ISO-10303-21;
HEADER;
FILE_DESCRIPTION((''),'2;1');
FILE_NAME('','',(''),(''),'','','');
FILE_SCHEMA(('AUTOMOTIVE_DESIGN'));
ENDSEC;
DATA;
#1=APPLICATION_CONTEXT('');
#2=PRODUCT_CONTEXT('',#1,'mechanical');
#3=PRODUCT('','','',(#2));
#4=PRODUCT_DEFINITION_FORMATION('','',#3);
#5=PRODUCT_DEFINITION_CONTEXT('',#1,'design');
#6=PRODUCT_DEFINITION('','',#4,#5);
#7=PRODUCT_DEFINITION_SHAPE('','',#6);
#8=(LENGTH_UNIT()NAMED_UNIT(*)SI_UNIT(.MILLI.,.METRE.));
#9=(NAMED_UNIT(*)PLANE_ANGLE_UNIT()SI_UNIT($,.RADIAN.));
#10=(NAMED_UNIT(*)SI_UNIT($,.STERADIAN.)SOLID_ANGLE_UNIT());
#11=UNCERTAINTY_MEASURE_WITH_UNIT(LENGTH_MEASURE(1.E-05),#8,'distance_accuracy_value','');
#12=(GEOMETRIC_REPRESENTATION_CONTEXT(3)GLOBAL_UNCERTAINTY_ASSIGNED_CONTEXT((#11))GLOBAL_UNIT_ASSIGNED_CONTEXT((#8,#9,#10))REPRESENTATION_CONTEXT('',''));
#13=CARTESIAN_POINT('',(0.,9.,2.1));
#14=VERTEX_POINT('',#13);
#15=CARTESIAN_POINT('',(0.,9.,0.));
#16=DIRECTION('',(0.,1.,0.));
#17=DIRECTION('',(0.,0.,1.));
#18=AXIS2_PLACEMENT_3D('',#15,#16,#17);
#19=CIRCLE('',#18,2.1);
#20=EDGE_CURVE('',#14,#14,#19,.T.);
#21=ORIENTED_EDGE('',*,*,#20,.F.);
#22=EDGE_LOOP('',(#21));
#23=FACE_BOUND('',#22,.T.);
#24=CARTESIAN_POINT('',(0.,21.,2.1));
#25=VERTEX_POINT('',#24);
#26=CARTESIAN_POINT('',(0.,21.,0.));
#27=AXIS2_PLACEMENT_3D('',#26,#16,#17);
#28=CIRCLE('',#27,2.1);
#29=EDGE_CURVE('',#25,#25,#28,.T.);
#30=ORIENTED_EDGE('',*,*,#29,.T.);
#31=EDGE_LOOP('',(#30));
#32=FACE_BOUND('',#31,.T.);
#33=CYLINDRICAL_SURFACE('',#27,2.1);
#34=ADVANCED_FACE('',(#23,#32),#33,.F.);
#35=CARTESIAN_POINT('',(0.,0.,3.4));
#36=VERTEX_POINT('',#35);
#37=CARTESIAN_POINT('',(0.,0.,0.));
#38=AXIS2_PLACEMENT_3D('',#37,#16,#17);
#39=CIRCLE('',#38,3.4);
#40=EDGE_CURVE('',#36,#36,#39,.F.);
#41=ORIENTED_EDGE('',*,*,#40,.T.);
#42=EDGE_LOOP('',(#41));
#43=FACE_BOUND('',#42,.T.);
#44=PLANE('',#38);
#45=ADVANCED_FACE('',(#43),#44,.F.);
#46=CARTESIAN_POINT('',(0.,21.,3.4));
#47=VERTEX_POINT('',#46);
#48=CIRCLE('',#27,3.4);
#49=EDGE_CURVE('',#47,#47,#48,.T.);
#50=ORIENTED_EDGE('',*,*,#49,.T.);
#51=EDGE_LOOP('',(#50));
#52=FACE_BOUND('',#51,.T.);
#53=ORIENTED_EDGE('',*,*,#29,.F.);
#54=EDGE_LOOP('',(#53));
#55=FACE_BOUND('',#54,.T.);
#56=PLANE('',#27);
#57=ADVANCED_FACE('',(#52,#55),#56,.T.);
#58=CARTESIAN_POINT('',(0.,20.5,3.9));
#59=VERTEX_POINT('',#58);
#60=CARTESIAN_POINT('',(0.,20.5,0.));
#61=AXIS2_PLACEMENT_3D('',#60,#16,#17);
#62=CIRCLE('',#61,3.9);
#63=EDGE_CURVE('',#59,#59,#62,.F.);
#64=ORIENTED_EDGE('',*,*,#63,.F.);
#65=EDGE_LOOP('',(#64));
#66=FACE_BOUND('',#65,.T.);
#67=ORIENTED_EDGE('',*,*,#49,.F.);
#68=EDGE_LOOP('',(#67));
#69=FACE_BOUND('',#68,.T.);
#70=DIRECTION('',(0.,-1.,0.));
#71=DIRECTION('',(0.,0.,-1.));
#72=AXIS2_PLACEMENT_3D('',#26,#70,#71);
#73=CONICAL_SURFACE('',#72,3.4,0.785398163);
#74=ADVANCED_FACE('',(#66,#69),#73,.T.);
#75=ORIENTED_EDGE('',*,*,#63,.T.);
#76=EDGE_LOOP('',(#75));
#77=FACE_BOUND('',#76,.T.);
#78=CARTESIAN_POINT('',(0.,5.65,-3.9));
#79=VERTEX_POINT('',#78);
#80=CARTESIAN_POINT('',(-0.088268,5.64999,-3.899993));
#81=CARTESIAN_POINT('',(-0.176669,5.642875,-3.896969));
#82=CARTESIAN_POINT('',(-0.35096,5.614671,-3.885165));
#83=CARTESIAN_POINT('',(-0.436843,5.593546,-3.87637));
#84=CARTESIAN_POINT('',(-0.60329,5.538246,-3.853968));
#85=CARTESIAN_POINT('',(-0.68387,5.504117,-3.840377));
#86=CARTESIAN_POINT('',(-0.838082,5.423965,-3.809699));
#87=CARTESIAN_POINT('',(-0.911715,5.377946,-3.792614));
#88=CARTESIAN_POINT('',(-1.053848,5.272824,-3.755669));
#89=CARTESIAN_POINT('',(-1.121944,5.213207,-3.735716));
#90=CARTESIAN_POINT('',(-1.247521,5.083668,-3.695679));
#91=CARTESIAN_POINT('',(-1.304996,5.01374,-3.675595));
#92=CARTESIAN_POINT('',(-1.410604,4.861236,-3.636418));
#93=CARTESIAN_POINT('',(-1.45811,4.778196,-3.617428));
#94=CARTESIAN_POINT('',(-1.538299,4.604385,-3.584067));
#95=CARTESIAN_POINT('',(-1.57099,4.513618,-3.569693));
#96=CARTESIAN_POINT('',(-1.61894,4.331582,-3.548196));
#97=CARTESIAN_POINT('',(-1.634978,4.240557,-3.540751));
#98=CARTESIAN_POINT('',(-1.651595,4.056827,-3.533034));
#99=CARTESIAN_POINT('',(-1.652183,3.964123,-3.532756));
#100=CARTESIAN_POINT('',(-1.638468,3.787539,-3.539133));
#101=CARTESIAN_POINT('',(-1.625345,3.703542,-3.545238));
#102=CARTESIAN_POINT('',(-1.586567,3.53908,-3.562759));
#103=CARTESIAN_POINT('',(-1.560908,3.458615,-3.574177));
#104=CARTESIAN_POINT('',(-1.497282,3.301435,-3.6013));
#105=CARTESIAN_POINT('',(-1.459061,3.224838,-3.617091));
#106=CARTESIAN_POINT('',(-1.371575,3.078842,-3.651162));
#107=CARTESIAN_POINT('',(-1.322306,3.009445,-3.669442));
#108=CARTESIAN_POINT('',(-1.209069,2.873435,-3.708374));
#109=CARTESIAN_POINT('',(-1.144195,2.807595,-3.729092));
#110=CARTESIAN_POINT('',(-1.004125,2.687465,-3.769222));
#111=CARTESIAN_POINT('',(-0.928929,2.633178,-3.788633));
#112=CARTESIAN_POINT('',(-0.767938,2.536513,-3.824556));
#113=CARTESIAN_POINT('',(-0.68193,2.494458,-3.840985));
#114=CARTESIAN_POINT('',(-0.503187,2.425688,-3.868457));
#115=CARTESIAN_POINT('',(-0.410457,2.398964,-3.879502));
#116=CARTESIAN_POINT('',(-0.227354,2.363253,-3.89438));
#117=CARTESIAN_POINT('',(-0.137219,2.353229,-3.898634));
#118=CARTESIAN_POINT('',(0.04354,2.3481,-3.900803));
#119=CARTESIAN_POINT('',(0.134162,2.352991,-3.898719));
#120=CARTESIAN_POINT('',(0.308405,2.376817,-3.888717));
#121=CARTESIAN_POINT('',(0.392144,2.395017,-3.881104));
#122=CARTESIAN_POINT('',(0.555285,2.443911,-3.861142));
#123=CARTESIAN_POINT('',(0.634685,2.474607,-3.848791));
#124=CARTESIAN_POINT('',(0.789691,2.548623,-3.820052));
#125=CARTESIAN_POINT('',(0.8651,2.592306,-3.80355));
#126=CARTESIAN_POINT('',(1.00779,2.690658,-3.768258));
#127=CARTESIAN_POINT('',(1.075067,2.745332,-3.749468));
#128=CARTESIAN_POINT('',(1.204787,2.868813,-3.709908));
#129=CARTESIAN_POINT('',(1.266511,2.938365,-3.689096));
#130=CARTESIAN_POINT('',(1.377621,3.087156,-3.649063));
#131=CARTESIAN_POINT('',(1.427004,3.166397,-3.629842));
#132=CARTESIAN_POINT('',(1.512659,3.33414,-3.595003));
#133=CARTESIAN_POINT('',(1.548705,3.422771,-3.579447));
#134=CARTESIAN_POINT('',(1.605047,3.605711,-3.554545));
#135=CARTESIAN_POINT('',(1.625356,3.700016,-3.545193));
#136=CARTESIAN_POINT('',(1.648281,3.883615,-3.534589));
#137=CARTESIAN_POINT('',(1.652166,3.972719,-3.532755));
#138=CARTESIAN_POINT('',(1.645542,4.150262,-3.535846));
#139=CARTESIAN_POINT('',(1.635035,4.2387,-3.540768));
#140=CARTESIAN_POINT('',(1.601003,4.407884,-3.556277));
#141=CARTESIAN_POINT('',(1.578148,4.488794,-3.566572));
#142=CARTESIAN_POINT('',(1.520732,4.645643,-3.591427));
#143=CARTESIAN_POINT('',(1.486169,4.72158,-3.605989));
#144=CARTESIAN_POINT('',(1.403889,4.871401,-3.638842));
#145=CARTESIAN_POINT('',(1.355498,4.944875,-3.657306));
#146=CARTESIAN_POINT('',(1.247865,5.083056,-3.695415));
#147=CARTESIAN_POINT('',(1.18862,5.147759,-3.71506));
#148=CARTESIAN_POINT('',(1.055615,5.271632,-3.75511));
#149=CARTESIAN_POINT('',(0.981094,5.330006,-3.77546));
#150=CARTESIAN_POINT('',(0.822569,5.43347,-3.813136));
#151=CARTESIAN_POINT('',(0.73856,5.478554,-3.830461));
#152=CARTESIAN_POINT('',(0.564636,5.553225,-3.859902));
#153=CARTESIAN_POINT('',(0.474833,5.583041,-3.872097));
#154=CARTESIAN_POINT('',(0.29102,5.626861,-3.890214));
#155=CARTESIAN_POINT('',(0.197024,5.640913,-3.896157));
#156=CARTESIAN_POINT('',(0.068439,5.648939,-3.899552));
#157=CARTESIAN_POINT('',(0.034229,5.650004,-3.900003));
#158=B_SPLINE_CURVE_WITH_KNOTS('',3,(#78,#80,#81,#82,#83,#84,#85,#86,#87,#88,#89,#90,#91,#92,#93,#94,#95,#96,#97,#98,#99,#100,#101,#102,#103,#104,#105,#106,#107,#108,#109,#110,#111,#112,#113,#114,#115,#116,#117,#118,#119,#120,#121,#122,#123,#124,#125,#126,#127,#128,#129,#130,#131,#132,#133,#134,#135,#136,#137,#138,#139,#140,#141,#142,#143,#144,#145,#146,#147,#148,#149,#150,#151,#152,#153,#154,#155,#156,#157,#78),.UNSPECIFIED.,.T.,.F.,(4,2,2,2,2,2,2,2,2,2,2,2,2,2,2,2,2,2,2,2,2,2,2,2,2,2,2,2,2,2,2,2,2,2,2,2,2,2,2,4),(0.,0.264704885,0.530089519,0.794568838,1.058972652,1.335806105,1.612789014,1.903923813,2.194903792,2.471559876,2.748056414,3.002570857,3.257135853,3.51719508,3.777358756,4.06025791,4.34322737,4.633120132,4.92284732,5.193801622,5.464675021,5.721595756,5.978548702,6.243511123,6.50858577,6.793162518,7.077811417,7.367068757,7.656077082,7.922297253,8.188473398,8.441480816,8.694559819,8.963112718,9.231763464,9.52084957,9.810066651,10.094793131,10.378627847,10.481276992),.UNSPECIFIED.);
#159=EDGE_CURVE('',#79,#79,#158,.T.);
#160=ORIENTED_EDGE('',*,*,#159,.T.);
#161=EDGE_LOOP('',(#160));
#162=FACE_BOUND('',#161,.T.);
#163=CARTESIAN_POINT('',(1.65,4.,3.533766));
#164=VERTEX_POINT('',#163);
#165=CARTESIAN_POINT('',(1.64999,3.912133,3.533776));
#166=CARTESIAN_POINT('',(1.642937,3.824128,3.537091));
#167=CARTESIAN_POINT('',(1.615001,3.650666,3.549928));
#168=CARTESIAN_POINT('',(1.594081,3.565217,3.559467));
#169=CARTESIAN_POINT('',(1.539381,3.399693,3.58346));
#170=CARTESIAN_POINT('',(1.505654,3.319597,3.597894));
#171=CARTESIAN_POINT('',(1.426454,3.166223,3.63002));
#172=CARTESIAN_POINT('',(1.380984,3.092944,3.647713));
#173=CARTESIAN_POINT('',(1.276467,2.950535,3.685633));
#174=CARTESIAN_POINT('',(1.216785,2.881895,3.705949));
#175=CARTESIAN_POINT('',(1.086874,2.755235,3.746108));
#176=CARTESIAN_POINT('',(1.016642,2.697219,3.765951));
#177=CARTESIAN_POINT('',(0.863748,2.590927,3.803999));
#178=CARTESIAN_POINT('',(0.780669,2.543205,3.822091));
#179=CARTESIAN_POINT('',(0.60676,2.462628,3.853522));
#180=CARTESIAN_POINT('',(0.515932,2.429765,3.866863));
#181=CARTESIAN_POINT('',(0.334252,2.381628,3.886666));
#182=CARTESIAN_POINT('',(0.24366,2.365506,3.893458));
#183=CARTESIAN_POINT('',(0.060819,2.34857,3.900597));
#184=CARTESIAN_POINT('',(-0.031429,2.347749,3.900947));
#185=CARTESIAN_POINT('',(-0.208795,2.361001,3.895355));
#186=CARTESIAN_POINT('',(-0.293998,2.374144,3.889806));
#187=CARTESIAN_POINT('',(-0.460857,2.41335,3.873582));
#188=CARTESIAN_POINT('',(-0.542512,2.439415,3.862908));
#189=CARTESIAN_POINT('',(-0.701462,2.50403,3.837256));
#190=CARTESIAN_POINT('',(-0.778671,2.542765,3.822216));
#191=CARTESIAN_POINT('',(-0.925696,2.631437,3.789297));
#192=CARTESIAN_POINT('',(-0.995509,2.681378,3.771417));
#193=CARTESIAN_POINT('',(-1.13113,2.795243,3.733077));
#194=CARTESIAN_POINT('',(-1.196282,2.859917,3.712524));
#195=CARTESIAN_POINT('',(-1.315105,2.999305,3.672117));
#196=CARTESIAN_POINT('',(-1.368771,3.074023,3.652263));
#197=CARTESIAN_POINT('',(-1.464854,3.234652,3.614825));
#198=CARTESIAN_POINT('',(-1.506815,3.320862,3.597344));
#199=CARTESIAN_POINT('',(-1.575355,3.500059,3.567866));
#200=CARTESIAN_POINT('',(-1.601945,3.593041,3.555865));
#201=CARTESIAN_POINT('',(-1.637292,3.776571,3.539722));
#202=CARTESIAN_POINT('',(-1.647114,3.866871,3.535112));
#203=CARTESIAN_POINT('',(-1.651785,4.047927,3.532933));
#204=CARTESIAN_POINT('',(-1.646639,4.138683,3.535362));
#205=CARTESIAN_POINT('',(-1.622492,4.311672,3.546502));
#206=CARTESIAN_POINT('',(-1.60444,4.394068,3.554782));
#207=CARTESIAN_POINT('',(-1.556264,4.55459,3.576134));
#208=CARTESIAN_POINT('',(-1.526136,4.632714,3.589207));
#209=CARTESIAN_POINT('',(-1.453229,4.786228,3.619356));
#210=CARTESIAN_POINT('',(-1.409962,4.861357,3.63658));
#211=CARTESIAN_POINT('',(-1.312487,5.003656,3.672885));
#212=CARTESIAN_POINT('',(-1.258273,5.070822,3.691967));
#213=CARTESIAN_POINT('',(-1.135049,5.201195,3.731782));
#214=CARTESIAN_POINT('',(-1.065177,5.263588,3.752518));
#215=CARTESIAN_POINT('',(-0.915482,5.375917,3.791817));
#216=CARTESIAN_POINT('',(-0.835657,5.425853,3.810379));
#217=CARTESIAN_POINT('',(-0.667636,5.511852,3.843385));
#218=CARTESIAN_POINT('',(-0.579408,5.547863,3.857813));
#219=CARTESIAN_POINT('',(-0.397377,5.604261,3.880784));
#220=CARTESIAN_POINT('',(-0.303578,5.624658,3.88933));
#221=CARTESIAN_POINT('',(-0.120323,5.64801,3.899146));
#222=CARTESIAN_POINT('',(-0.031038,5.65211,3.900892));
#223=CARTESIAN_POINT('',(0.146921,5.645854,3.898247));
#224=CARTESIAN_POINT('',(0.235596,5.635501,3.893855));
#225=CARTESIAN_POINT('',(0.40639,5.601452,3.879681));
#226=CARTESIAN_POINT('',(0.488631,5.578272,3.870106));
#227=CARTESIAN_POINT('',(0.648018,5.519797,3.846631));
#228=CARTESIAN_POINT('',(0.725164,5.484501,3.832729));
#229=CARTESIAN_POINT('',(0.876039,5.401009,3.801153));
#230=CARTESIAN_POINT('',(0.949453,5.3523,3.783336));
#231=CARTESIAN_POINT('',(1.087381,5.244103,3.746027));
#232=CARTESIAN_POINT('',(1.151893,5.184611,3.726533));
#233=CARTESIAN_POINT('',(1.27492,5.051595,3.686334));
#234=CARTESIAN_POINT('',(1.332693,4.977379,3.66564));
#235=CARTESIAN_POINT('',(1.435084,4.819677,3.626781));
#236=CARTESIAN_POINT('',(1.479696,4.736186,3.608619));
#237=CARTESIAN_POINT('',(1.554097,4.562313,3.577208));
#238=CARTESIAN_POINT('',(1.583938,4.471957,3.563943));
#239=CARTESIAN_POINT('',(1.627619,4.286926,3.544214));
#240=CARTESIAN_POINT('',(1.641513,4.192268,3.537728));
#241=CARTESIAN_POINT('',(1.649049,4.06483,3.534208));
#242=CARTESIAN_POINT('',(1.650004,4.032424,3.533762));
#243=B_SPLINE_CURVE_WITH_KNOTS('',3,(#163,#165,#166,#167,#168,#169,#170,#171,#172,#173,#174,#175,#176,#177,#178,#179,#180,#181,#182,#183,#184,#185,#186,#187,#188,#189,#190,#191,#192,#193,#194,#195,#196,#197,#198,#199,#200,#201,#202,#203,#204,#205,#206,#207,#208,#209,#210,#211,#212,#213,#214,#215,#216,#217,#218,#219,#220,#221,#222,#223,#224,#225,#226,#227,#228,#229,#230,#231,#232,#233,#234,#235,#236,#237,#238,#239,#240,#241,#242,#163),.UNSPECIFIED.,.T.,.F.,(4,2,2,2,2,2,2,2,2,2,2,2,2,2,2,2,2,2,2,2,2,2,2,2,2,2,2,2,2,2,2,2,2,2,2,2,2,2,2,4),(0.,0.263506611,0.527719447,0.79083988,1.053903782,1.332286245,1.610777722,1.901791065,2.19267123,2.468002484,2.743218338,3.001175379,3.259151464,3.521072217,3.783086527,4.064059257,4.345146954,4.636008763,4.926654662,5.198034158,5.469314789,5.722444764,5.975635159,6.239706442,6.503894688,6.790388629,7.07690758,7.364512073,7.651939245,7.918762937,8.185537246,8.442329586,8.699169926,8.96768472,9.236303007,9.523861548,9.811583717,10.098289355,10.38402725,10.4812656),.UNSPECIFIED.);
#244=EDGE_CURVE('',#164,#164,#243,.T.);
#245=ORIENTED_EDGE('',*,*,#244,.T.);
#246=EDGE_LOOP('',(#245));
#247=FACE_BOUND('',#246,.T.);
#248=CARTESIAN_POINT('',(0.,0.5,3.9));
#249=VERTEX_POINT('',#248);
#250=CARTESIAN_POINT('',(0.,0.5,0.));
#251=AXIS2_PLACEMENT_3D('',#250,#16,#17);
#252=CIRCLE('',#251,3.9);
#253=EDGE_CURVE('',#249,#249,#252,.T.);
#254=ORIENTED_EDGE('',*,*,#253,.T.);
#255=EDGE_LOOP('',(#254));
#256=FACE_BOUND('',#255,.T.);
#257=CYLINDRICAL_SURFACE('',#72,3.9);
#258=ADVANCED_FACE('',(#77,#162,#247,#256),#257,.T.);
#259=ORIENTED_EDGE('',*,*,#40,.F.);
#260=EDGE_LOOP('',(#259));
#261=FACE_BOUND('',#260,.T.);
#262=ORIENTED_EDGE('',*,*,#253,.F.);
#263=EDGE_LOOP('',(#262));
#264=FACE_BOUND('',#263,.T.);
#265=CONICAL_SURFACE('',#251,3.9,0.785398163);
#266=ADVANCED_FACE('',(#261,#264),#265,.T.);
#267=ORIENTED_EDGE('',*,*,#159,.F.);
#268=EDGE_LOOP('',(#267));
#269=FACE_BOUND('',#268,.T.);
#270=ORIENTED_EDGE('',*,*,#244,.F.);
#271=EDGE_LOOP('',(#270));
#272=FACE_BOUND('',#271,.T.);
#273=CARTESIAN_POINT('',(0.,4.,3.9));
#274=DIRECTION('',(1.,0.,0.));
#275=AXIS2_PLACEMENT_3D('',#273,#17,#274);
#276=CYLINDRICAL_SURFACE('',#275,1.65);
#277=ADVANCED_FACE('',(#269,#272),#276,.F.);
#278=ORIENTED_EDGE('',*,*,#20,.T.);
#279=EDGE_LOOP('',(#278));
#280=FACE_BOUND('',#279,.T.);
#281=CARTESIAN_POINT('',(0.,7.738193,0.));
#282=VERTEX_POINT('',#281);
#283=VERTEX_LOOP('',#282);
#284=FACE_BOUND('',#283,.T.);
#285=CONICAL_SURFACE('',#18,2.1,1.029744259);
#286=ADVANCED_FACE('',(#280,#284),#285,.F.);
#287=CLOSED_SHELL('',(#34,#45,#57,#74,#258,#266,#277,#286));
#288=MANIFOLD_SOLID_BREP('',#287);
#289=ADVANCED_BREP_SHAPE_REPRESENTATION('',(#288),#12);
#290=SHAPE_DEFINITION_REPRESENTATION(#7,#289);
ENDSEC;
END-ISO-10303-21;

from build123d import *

# Parameters (mm, degrees)
SKETCH_1_R             = 3.9
EXTRUDE_1_DEPTH        = 21
HOLE_WIZARD_M4_1_D     = 3.3
HOLE_WIZARD_M5_1_D     = 4.2
HOLE_WIZARD_M5_1_DEPTH = 12
HOLE_WIZARD_M5_1_TIP   = 1.2618073
CHAMFER_1_SIZE         = 0.5


with BuildPart() as part:
    # 草图1 → 凸台-拉伸1 (new body)
    with BuildSketch(Plane(origin=(0, 0, 0), x_dir=(1, 0, 0), z_dir=(0, 1, 0))):
        Circle(SKETCH_1_R)
    extrude(amount=EXTRUDE_1_DEPTH)

    # M4 螺纹孔1 (through all)
    with Locations(Plane.XY.offset(3.9)):
        with Locations((0, 4)):
            Hole(HOLE_WIZARD_M4_1_D / 2)

    # M5 螺纹孔1
    with Locations(Plane(origin=(0, 21, 0), x_dir=(1, 0, 0), z_dir=(0, 1, 0))):
        with Locations((0, 0)):
            Hole(HOLE_WIZARD_M5_1_D / 2, depth=HOLE_WIZARD_M5_1_DEPTH)
            with Locations((0, 0, -(HOLE_WIZARD_M5_1_DEPTH + HOLE_WIZARD_M5_1_TIP / 2))):  # 118° drill point
                Cone(0, HOLE_WIZARD_M5_1_D / 2, HOLE_WIZARD_M5_1_TIP, mode=Mode.SUBTRACT)

    # 倒角1
    chamfer_1_edges = [part.edges().sort_by_distance(p)[0] for p in [
        (-3.9, 0, 0),
        (-3.9, 21, 0),
    ]]
    chamfer(chamfer_1_edges, length=CHAMFER_1_SIZE)


solid = part.part
